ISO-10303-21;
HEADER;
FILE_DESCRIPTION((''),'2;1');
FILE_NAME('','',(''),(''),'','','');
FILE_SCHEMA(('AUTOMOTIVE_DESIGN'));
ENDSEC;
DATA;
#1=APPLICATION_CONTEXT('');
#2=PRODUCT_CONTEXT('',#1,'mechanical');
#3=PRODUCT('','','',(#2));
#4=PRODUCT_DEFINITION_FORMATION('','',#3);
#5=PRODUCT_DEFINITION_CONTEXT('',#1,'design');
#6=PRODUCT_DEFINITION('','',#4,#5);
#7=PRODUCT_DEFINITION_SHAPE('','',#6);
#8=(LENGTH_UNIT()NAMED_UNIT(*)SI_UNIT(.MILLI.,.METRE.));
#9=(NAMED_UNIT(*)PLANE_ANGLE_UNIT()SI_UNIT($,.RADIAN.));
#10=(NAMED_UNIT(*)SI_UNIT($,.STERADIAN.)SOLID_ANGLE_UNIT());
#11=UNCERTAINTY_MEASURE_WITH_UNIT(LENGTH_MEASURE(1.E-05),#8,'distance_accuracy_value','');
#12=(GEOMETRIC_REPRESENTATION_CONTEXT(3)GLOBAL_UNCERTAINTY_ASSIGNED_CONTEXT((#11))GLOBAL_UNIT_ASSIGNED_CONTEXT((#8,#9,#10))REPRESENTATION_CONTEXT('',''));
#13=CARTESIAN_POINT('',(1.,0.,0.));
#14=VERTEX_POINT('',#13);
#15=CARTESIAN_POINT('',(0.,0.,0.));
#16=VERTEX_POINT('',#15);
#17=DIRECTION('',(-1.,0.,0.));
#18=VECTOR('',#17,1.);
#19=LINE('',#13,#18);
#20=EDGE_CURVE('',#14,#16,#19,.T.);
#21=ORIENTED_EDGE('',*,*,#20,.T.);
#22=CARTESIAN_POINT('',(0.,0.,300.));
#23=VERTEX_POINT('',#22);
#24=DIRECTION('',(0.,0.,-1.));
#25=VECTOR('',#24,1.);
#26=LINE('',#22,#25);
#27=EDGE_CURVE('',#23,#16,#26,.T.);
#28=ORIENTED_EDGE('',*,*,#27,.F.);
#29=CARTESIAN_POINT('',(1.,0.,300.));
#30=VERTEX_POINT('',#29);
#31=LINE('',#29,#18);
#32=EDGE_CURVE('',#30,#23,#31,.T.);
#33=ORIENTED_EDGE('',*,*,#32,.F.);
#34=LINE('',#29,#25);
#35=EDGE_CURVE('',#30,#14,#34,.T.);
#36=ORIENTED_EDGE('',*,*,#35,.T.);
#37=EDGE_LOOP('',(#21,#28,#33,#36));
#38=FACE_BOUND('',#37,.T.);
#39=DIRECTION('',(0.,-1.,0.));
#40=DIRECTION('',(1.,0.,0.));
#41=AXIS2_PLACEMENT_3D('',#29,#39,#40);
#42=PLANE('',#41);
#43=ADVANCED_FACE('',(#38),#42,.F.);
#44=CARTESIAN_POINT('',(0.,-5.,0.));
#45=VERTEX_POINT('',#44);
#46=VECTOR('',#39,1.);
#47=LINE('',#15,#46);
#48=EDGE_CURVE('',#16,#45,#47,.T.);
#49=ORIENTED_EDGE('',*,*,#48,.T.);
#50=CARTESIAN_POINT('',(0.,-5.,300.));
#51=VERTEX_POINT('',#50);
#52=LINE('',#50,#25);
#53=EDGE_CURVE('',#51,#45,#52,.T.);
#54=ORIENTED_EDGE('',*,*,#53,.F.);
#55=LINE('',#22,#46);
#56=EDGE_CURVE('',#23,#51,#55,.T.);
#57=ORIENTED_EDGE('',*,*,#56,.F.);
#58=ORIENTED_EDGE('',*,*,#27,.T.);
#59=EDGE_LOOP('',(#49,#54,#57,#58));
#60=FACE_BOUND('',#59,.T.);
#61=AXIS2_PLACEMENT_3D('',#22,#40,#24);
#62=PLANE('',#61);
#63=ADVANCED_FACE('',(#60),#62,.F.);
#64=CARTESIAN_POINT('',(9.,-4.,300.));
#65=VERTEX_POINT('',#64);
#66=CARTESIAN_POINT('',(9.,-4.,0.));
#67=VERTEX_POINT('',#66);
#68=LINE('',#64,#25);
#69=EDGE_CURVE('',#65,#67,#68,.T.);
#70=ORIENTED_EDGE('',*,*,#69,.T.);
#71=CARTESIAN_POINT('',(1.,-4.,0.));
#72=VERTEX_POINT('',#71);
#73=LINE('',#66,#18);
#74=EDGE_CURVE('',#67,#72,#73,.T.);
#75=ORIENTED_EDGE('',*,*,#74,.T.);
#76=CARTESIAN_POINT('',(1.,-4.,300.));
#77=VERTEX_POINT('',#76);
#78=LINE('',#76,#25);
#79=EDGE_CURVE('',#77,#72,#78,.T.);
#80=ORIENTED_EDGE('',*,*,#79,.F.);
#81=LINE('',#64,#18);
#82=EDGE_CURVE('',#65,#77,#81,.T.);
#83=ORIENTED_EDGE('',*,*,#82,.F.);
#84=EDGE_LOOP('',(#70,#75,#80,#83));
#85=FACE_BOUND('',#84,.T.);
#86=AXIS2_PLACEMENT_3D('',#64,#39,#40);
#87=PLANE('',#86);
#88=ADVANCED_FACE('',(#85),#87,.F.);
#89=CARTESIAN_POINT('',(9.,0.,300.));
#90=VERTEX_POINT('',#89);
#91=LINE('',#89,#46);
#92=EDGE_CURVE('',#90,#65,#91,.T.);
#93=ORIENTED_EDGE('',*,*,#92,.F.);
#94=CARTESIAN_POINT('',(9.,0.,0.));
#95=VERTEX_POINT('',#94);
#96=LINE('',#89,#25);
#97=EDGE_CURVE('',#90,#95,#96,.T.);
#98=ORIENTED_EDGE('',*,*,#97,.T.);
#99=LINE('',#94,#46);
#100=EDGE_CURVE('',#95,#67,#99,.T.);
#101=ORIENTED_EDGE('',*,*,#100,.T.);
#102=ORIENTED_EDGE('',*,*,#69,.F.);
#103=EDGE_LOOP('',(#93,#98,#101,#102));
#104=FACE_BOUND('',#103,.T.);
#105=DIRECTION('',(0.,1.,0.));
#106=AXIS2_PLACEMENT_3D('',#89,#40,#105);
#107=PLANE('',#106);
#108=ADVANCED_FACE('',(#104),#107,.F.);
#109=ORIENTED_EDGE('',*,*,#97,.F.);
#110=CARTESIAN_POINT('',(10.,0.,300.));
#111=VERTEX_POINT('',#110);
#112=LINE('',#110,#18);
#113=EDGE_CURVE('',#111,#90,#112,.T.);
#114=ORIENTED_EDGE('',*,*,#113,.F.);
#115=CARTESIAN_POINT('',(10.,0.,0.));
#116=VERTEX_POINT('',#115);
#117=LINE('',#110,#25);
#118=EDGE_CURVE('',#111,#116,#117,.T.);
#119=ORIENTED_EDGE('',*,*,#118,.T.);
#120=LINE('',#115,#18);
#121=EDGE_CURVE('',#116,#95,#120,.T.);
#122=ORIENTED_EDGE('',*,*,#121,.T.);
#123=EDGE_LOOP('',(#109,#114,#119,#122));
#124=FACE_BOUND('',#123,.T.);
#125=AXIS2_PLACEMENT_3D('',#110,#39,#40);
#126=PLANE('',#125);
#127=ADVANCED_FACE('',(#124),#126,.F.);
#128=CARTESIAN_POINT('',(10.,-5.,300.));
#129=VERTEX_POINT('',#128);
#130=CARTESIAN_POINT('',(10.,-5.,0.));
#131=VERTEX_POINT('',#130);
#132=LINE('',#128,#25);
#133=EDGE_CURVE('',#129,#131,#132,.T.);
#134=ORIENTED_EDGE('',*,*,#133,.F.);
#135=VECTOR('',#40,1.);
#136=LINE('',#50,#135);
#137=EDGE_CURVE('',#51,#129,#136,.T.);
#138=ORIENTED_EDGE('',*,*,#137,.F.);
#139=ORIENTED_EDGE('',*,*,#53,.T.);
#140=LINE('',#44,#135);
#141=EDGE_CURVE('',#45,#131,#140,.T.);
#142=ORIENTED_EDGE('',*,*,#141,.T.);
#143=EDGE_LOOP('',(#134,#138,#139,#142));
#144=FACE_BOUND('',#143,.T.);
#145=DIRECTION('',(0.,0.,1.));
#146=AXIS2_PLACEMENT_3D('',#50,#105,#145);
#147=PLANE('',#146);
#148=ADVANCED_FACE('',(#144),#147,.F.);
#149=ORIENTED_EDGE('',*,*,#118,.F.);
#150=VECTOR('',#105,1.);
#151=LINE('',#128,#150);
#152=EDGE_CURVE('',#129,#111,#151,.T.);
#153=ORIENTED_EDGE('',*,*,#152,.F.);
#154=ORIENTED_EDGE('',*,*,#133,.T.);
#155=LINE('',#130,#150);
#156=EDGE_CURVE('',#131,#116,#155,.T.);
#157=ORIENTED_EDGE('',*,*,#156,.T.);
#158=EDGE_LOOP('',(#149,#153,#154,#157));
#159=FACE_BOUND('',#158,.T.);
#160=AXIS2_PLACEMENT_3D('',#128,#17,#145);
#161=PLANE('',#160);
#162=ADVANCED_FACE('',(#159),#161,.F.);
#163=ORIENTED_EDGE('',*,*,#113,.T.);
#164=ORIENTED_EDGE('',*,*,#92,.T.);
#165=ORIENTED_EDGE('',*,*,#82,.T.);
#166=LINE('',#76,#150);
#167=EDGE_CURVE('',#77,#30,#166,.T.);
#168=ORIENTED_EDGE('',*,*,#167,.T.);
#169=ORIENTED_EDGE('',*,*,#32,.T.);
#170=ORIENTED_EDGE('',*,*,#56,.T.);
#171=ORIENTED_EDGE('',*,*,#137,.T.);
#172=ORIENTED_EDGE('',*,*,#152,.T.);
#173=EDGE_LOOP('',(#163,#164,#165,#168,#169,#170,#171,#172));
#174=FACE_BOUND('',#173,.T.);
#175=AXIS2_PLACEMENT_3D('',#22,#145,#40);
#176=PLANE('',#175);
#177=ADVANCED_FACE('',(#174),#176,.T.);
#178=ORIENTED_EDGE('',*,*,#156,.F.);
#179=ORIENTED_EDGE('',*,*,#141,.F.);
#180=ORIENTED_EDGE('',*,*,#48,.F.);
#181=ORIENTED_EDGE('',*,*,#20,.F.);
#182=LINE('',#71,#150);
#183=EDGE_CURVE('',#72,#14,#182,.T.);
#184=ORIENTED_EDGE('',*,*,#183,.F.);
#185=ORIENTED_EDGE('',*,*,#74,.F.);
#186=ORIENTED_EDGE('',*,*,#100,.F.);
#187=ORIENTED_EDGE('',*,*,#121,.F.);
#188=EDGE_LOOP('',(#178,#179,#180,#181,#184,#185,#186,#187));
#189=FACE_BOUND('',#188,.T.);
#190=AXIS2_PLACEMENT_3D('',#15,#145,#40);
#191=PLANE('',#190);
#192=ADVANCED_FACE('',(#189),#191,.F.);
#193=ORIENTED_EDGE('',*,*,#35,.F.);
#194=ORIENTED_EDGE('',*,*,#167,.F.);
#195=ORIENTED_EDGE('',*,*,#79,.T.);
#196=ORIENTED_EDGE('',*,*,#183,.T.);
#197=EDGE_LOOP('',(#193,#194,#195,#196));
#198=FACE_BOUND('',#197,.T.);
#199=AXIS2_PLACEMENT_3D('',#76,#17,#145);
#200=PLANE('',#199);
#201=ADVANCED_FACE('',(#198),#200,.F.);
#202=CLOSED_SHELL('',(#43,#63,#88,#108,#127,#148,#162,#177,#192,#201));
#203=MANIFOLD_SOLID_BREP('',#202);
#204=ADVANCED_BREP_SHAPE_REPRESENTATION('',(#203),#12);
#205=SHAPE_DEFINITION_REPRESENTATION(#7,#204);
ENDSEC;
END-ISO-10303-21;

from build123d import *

# Parameters (mm, degrees)
EXTRUDE_1_DEPTH = 300


with BuildPart() as part:
    # 草图1 → 凸台-拉伸1 (new body)
    with BuildSketch(Plane.XY):
        Polygon((0, 0), (0, -5), (10, -5), (10, 0), (9, 0), (9, -4), (1, -4), (1, 0), align=None)
    extrude(amount=EXTRUDE_1_DEPTH)


solid = part.part
